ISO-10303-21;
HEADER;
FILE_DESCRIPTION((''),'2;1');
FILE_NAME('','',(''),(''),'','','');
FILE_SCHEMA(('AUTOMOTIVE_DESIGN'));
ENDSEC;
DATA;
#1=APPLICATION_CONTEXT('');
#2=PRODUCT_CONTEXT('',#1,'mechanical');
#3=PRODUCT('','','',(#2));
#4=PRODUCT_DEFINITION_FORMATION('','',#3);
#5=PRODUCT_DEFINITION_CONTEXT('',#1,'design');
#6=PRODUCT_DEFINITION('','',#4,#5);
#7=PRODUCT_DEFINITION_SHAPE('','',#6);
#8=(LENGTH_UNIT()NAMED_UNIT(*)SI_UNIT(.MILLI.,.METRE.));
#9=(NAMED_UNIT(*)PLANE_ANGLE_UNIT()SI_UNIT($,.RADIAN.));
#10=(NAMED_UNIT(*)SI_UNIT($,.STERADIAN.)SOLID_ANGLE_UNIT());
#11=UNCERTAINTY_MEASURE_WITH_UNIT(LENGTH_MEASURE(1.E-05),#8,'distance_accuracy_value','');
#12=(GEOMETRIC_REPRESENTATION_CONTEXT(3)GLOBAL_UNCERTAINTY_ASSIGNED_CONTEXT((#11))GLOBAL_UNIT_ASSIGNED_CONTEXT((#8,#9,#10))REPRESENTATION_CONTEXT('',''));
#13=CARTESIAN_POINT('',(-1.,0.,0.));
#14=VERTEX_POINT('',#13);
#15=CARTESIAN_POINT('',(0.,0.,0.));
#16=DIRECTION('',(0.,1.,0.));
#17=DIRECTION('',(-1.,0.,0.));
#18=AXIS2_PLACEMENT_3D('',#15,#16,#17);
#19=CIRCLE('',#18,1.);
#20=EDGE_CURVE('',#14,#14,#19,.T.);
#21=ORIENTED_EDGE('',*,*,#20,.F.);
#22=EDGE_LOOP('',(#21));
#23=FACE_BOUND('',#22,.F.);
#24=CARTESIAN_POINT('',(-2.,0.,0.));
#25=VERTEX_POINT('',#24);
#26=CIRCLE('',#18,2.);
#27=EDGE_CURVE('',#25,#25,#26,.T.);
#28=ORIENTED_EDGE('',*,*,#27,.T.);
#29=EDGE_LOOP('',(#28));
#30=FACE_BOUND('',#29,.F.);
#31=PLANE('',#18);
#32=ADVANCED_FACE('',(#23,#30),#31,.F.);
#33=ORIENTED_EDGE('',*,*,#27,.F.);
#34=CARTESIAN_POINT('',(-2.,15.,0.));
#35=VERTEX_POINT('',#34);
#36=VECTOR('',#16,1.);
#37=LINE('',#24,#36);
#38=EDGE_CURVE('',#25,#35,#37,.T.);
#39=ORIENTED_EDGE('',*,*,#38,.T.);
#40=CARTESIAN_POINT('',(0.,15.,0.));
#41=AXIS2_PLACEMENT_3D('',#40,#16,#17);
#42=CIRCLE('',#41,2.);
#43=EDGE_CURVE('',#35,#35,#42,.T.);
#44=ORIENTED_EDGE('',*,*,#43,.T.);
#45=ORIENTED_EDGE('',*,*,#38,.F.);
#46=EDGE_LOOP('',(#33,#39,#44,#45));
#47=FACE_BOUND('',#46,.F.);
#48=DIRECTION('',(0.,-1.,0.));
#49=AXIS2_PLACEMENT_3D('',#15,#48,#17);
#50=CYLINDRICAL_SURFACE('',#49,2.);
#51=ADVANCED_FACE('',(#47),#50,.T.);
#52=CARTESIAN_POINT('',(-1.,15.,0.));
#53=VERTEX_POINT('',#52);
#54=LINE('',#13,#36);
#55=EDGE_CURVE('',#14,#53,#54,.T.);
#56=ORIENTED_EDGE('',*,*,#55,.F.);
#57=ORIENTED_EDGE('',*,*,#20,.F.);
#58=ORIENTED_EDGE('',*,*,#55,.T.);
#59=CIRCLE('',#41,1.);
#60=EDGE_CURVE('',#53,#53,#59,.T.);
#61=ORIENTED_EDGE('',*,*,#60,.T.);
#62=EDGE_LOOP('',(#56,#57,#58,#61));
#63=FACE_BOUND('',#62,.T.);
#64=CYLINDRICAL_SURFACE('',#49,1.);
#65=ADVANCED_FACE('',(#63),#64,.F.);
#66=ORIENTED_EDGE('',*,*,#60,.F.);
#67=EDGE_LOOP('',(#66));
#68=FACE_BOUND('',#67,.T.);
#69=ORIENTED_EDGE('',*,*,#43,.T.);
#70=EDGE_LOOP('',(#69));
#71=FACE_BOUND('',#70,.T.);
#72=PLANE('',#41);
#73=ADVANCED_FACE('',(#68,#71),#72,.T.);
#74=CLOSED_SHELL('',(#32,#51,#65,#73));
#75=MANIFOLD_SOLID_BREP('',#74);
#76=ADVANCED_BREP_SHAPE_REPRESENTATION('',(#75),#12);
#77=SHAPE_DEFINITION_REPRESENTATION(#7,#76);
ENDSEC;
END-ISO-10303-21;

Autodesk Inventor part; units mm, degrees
ref_plane "YZ Plane" through (0, 0, 0) normal (1, 0, 0) x (0, 1, 0)
ref_plane "XZ Plane" through (0, 0, 0) normal (0, 1, 0) x (-1, 0, 0)
ref_plane "XY Plane" through (0, 0, 0) normal (0, 0, 1) x (1, 0, 0)
sketch "スケッチ1" plane through (0, 0, 0) normal (0, 1, 0) x (-1, 0, 0)
  circle A0 centre (0, 0) radius 2
  circle A1 centre (0, 0) radius 1
  dimension "d0" = 2
  dimension "d1" = 4
extrude "押し出し1" add sketch "スケッチ1" along normal blind 15
properties part number "Spacer_M2x15"
